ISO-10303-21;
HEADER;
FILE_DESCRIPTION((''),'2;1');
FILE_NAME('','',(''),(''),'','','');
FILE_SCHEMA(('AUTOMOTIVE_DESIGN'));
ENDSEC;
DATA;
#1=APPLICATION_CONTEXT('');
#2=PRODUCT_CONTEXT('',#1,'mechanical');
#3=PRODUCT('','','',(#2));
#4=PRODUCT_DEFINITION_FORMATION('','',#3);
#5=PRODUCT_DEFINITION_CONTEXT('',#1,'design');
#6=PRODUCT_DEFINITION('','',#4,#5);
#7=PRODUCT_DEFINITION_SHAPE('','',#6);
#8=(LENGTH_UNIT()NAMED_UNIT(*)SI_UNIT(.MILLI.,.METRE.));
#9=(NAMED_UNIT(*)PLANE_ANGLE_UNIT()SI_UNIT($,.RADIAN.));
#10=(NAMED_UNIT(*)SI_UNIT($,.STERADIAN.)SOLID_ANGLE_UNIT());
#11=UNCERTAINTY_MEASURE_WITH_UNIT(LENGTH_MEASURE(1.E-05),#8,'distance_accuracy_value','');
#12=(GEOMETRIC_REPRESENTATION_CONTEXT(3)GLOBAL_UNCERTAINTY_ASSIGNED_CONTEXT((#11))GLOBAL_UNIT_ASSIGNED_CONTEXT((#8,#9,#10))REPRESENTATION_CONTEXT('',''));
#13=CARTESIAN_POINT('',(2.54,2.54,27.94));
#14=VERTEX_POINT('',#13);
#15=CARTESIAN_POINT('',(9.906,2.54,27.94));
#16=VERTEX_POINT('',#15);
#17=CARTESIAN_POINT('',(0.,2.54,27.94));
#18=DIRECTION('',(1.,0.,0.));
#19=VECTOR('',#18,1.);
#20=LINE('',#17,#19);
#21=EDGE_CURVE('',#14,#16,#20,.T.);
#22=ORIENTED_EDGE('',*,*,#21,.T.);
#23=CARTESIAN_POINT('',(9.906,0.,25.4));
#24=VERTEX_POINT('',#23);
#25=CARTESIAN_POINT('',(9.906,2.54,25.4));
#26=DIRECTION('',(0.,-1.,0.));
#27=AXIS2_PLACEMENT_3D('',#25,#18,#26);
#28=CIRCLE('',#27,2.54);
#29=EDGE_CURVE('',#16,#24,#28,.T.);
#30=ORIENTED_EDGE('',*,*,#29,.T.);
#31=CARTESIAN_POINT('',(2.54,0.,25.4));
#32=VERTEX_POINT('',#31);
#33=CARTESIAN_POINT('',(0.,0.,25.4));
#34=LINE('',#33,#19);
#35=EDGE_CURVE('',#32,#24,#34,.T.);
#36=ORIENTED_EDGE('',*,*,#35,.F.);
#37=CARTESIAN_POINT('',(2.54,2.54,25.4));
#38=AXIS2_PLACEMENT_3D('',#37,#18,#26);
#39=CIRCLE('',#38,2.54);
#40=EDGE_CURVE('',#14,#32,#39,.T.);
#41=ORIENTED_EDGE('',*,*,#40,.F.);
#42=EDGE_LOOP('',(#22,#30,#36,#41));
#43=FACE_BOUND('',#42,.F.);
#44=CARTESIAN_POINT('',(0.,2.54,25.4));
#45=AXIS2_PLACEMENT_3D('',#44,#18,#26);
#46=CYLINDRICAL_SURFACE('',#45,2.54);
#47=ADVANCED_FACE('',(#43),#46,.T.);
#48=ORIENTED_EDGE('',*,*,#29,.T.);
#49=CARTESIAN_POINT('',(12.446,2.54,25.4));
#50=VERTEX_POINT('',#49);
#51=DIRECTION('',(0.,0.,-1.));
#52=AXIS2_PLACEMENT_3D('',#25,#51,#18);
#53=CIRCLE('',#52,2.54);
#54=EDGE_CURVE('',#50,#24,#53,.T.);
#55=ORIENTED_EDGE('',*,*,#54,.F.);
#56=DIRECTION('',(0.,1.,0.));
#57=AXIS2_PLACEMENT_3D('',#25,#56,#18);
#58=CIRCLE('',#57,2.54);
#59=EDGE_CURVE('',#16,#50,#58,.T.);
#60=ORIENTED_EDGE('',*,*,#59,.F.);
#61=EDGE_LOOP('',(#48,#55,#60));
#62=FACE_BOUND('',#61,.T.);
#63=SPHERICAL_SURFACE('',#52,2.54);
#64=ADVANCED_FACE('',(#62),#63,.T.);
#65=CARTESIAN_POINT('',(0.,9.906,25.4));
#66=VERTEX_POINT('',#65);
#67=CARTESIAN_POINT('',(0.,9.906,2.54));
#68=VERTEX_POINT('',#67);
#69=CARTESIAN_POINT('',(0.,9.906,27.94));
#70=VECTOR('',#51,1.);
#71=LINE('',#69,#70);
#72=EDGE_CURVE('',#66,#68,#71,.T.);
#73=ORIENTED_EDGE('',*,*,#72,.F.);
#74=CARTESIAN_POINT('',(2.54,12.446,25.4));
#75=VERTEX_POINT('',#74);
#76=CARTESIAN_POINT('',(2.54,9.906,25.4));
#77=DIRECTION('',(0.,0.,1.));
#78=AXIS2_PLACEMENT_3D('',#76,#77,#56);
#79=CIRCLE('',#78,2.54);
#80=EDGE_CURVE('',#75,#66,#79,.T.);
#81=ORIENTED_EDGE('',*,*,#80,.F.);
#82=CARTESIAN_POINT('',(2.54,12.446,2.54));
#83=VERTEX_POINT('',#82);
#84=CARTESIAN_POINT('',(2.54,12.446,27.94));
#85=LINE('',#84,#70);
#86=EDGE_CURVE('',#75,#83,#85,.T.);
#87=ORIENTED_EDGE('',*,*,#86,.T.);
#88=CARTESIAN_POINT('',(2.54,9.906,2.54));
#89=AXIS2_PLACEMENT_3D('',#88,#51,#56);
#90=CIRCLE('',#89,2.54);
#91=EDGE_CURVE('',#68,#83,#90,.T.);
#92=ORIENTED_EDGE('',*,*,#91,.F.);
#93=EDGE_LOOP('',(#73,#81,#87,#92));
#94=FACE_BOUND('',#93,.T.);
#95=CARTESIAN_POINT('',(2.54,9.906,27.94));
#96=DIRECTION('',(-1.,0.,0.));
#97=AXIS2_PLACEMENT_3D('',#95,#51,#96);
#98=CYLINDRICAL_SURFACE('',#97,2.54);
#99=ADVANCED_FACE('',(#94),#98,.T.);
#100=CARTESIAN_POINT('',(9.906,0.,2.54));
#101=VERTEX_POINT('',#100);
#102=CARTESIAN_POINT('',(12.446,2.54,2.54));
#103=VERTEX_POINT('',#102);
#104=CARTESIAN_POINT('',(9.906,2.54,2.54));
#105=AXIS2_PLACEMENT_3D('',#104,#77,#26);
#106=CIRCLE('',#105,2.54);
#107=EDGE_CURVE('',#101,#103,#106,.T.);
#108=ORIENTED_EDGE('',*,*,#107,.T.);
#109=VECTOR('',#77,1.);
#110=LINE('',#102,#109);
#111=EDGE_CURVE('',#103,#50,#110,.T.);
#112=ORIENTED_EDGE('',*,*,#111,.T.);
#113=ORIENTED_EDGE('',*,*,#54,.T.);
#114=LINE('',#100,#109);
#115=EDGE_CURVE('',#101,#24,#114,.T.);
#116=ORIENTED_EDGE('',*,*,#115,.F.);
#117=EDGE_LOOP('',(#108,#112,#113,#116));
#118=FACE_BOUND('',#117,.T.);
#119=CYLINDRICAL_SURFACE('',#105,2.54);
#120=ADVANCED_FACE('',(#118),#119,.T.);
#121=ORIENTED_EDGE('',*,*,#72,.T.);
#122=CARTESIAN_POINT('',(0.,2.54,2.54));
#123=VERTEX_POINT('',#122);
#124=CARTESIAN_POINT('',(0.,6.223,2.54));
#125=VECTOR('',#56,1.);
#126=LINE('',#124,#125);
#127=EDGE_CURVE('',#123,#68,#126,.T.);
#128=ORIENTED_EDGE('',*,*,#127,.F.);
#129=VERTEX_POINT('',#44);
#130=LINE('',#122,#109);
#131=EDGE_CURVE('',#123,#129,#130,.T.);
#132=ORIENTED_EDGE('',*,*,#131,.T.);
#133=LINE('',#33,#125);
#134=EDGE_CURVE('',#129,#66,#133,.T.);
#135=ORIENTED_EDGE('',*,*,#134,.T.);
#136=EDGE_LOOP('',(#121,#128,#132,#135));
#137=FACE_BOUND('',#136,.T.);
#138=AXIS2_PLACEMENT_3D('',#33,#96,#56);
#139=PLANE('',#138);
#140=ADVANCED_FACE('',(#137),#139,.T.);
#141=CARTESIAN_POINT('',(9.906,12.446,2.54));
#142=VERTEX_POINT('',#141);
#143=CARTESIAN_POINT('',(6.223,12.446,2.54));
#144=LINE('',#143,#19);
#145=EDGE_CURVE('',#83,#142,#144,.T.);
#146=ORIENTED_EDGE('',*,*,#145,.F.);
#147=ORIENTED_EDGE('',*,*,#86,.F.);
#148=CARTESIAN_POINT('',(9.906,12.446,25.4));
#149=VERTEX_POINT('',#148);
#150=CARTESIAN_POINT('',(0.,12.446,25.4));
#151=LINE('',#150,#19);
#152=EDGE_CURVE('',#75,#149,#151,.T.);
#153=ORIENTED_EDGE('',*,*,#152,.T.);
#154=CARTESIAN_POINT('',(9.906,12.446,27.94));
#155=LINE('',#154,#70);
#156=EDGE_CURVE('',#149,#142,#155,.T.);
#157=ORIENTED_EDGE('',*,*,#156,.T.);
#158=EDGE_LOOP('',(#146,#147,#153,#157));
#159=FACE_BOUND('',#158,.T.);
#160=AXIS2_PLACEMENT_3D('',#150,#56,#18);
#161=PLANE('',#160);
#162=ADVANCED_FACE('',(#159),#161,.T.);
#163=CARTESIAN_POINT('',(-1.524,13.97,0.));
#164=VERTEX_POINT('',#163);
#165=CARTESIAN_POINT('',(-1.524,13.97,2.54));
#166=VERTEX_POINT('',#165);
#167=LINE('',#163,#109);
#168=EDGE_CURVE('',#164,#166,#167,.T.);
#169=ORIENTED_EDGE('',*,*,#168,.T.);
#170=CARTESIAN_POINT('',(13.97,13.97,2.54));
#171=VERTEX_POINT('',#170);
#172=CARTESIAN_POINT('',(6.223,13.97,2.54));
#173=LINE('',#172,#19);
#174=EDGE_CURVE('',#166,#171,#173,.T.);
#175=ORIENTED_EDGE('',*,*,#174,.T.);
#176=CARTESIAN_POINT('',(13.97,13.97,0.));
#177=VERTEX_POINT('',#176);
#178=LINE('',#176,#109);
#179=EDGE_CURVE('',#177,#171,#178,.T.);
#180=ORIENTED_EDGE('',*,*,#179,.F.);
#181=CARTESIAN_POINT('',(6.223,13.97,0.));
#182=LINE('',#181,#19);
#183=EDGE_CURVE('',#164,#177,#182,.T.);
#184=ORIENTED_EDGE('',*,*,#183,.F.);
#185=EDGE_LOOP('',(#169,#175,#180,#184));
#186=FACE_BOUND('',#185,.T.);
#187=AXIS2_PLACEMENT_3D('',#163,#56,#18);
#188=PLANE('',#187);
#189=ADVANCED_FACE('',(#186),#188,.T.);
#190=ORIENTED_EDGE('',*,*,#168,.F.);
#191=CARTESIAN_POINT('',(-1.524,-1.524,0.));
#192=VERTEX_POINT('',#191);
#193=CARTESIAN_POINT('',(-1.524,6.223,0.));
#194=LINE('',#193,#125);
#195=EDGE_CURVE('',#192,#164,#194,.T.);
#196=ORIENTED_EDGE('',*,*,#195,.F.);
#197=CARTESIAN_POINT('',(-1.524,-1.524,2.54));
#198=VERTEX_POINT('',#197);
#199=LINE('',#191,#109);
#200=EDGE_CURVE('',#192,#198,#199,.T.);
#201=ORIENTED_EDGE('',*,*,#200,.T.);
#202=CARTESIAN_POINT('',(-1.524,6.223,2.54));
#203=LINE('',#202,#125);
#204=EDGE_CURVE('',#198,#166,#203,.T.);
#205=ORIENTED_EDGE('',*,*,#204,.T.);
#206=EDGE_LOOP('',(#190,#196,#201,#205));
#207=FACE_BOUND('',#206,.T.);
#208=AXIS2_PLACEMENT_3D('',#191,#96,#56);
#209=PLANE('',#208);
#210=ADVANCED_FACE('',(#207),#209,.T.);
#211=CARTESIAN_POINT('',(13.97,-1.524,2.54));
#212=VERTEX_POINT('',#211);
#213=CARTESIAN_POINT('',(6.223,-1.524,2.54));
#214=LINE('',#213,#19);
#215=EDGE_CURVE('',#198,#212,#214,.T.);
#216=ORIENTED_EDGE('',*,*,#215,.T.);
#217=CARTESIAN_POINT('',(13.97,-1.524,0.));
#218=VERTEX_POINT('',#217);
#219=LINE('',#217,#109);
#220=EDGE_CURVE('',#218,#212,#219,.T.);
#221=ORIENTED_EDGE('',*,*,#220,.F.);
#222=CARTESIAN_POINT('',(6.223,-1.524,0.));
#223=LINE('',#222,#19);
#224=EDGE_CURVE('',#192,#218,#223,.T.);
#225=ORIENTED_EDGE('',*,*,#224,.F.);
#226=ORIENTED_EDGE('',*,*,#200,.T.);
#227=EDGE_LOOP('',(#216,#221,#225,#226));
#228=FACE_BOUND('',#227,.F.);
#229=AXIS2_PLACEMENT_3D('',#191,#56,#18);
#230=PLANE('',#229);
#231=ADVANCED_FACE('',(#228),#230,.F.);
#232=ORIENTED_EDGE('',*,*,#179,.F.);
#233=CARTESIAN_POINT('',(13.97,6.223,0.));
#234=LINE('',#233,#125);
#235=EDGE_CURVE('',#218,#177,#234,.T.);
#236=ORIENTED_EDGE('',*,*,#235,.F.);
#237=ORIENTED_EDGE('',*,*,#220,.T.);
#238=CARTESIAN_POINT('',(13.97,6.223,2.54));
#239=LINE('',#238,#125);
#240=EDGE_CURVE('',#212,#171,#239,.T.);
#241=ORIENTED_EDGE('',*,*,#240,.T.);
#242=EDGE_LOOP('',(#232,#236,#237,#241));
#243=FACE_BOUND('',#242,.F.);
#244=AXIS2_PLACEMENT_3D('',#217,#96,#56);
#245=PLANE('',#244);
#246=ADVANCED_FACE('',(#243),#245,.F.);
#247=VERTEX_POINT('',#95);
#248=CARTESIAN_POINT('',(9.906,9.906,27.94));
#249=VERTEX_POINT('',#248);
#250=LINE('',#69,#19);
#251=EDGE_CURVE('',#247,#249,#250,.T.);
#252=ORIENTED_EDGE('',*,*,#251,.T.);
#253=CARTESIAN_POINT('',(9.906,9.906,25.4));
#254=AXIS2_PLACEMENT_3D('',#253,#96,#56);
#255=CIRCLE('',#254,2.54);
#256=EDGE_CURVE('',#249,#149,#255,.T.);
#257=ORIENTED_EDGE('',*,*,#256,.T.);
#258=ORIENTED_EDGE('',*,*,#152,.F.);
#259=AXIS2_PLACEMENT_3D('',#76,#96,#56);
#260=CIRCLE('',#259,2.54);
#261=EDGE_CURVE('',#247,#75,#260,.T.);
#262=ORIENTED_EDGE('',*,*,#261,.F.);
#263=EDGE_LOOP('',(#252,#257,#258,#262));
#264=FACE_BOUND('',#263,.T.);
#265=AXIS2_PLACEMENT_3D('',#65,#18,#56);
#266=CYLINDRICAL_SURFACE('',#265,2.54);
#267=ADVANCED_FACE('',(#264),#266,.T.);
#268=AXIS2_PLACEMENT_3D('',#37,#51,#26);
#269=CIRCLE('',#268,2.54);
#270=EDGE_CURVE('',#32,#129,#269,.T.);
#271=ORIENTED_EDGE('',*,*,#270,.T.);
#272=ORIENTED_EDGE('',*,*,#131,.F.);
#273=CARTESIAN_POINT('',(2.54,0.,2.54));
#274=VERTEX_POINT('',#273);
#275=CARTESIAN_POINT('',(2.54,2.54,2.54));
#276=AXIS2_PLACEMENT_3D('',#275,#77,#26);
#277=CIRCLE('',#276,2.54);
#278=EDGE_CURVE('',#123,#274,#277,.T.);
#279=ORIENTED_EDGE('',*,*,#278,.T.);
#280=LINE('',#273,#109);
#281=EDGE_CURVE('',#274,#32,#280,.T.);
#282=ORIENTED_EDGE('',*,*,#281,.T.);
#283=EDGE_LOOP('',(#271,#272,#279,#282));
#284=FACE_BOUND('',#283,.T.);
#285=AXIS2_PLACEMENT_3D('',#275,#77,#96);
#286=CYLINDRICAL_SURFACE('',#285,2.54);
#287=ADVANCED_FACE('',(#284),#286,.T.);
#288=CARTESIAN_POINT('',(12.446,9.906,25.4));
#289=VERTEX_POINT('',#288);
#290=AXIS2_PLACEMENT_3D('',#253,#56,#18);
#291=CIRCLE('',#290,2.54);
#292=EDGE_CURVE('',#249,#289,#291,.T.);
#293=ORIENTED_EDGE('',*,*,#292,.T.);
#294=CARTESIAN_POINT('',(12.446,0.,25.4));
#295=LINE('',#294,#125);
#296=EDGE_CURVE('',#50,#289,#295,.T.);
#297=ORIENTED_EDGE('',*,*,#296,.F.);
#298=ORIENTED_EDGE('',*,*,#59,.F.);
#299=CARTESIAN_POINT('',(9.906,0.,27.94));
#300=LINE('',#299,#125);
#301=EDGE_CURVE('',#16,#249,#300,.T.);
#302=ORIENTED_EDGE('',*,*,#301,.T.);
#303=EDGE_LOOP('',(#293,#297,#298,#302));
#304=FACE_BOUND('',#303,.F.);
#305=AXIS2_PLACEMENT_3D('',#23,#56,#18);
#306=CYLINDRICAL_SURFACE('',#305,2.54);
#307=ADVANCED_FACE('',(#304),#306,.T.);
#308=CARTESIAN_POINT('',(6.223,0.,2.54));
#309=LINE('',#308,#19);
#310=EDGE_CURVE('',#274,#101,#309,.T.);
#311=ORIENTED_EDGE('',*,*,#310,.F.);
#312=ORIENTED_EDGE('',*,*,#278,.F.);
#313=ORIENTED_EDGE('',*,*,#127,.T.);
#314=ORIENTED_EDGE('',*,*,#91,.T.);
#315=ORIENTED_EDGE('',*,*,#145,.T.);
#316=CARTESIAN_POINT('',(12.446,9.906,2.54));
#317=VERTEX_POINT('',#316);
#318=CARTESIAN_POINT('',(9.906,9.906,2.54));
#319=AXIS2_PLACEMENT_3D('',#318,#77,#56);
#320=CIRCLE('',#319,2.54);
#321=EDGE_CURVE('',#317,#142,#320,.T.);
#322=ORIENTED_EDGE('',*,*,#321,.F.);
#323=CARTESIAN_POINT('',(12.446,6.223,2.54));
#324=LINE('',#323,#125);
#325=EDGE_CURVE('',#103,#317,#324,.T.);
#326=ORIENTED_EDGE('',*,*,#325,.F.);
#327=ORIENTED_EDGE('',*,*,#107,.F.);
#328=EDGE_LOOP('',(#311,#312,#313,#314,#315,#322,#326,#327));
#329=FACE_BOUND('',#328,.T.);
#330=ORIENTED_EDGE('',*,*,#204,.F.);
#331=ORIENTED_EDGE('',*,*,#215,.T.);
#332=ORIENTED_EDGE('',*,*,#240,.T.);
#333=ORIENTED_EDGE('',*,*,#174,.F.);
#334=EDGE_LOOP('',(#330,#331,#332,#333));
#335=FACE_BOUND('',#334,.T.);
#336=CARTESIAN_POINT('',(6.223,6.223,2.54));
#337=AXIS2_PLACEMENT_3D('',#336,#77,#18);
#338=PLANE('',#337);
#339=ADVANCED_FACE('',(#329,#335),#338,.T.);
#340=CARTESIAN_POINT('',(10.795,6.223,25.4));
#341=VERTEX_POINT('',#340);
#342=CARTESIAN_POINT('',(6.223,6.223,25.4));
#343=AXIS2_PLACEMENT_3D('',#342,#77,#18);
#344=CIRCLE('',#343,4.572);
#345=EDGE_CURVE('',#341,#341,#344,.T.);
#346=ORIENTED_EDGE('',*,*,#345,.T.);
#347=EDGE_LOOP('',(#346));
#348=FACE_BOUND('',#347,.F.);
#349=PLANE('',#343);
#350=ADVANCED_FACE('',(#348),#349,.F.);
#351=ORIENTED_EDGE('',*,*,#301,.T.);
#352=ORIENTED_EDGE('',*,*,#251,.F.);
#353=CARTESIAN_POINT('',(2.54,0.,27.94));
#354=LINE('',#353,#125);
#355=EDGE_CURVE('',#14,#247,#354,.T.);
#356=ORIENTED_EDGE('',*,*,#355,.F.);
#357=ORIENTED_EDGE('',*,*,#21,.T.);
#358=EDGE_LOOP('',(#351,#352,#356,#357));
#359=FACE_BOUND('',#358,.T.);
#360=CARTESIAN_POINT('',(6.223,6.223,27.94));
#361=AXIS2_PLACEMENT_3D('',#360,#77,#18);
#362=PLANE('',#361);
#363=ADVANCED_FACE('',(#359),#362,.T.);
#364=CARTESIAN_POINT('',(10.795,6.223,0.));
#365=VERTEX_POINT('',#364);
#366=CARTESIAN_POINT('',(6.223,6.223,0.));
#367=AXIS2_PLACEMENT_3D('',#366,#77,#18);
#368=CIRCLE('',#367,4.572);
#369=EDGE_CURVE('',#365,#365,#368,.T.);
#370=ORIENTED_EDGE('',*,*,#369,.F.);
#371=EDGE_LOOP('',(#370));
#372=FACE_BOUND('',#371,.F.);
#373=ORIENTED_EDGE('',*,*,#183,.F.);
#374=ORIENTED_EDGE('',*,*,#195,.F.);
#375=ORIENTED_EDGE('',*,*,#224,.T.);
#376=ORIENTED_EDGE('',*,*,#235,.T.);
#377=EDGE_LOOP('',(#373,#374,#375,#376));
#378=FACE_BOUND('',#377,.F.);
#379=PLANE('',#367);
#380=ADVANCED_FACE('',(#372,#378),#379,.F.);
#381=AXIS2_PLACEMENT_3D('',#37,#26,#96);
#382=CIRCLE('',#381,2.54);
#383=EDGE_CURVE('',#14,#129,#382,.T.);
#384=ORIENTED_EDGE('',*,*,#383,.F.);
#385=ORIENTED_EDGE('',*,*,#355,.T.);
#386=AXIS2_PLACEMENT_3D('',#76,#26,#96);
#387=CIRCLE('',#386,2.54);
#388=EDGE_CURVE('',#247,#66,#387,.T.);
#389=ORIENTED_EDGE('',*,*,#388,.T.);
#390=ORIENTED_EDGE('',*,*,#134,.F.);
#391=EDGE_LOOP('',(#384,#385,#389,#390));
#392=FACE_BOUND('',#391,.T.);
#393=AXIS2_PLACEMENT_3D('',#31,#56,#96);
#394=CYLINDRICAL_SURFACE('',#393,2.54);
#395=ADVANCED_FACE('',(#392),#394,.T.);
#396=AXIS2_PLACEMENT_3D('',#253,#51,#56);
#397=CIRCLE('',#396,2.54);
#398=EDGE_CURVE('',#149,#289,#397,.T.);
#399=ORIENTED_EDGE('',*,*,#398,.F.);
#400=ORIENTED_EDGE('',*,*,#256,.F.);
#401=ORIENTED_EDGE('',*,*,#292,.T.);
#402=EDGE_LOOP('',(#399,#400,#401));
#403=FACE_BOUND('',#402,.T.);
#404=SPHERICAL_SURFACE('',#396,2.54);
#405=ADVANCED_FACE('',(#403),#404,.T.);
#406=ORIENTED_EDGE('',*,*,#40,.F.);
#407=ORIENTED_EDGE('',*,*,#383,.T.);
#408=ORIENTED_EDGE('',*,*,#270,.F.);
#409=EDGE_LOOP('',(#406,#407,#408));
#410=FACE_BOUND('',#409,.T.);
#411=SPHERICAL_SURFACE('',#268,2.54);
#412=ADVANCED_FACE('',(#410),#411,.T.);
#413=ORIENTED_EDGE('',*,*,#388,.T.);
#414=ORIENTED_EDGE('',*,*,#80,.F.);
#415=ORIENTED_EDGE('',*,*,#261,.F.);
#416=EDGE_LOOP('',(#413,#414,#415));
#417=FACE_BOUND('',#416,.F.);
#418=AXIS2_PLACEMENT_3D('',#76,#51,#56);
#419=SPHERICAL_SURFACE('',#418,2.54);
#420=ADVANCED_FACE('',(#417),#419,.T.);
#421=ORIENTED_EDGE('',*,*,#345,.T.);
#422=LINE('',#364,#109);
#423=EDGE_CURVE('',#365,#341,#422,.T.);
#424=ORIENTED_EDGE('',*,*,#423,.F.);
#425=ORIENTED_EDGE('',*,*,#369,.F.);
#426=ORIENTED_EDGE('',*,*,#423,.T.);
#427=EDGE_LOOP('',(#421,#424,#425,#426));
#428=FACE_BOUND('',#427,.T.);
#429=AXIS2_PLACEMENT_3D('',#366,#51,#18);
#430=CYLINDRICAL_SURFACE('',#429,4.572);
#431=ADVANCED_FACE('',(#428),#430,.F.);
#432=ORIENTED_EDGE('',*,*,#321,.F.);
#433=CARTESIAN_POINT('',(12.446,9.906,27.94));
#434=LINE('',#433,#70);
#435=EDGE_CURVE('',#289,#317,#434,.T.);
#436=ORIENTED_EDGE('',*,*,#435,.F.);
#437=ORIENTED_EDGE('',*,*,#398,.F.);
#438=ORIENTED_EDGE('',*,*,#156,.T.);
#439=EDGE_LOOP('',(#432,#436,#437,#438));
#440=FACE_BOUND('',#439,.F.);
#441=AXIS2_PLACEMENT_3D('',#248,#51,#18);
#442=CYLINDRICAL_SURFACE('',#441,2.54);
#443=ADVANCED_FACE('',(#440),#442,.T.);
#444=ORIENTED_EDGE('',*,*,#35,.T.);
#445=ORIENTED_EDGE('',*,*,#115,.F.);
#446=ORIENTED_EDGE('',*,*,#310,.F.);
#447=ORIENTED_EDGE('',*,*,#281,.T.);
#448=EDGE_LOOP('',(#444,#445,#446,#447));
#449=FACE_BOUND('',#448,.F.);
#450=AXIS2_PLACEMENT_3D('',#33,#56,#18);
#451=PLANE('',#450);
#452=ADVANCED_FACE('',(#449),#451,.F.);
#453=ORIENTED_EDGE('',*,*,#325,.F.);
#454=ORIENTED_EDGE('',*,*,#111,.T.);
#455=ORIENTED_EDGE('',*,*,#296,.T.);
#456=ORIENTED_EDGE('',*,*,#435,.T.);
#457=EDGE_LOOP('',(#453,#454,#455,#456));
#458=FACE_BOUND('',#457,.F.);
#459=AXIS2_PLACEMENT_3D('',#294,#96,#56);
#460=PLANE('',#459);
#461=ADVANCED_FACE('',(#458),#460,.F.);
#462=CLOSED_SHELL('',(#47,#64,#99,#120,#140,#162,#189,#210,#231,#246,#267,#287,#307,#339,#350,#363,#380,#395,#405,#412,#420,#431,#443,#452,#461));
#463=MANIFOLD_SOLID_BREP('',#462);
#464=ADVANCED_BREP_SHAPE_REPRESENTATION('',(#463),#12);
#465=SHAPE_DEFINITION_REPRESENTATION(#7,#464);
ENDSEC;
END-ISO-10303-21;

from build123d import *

# Parameters (mm, degrees)
F0_W     = 12.446
F0_H     = 12.446
F0_R     = 4.572
F1_DEPTH = 25.4
F0_W_2   = 15.494
F0_H_2   = 15.494
F2_DEPTH = 2.54
F3_W     = 12.446
F3_H     = 12.446
F3_R     = 4.572
F4_DEPTH = 2.54
F5_R     = 2.54


with BuildPart() as f1:
    # F0 (on Top) → F1 (new body)
    with BuildSketch(Plane.XY):
        with Locations((6.223, 6.223)):
            Rectangle(F0_W, F0_H)
        with Locations((6.223, 6.223)):
            Circle(F0_R, mode=Mode.SUBTRACT)
    extrude(amount=F1_DEPTH)

    # F0 (on Top) → F2 (join)
    with BuildSketch(Plane.XY):
        with Locations((6.223, 6.223)):
            Rectangle(F0_W_2, F0_H_2)
        with Locations((6.223, 6.223)):
            Rectangle(F0_W, F0_H, mode=Mode.SUBTRACT)
    extrude(amount=F2_DEPTH)

    # F3 (on face) → F4 (join)
    with BuildSketch(Plane.XY.offset(25.4)):
        with Locations((6.223, 6.223)):
            Rectangle(F3_W, F3_H)
        with Locations((6.223, 6.223)):
            Circle(F3_R, mode=Mode.SUBTRACT)
        with Locations((6.223, 6.223)):
            Circle(F3_R)
    extrude(amount=F4_DEPTH)

    # F5
    f5_edges = [f1.edges().sort_by_distance(p)[0] for p in [
        (0, 12.446, 15.24),
        (12.446, 12.446, 15.24),
        (0, 0, 15.24),
        (12.446, 0, 15.24),
        (6.223, 12.446, 27.94),
        (12.446, 6.223, 27.94),
        (6.223, 0, 27.94),
        (0, 6.223, 27.94),
    ]]
    fillet(f5_edges, radius=F5_R)


solid = f1.part
